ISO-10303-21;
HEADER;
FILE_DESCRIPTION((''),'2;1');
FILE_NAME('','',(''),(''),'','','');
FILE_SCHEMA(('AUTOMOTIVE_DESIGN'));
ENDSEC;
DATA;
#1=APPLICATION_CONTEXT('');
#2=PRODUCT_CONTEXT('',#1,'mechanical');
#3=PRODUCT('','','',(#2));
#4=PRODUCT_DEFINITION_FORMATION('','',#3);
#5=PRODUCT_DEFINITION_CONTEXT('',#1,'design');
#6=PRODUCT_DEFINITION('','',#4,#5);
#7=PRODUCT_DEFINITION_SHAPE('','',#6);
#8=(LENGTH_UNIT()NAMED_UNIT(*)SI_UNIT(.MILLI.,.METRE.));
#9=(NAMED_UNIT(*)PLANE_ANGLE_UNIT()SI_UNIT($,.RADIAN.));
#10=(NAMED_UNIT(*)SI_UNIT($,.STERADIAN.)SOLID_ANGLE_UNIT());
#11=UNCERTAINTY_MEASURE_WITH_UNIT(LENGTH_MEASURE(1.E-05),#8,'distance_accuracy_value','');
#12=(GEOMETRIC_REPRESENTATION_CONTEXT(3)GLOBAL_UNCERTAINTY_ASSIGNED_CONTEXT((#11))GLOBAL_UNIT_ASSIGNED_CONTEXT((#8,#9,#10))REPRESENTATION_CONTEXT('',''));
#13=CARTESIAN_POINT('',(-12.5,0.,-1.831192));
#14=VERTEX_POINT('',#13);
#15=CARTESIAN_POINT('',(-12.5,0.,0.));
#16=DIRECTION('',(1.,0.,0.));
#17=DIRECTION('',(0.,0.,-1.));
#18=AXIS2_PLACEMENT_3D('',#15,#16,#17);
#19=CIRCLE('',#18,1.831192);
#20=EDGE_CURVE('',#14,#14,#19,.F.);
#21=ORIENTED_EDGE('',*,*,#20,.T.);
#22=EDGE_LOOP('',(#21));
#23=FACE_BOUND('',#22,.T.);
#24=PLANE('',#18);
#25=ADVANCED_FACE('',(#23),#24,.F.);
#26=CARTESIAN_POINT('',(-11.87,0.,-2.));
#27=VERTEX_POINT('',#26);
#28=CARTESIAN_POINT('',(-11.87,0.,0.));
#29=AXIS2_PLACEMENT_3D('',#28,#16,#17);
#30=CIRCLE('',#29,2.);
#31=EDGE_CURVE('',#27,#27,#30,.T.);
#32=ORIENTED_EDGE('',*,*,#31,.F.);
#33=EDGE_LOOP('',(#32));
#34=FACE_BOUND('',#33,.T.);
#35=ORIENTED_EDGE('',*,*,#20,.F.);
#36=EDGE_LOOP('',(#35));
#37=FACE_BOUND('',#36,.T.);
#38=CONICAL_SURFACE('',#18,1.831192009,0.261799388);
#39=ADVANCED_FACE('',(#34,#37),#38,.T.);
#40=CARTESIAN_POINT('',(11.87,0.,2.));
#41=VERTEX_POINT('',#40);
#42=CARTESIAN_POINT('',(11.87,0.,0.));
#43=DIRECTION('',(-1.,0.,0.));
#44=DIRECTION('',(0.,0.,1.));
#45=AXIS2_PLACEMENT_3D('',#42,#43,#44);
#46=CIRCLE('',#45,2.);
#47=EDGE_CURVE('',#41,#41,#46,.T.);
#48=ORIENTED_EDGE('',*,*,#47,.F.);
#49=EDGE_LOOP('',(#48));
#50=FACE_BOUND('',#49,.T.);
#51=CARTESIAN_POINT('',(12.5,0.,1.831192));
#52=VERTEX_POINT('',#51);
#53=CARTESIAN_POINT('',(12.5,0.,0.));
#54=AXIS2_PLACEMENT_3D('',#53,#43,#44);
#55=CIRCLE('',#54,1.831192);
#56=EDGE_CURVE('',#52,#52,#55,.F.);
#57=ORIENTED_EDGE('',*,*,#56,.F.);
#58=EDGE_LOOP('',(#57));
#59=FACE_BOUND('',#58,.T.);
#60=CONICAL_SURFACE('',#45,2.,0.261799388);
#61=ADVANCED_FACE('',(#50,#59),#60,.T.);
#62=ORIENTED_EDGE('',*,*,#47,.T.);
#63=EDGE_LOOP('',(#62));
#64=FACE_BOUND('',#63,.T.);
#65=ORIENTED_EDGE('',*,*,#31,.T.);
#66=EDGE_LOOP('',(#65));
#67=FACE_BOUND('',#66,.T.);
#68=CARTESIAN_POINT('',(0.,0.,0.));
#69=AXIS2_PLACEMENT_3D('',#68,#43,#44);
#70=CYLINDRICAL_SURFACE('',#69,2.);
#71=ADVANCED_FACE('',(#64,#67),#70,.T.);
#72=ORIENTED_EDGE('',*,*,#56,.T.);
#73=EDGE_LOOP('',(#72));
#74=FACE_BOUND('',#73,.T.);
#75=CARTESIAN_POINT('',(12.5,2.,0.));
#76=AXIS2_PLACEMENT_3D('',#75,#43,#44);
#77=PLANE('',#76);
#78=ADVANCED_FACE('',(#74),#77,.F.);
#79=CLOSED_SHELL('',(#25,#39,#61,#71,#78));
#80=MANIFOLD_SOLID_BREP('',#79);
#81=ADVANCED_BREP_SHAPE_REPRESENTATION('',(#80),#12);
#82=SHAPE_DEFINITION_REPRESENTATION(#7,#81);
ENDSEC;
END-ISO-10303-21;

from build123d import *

# Parameters (mm, degrees)
SKETCH_1_W      = 25
SKETCH_1_H      = 2
CHAMFER_1_SIZE  = 0.63
CHAMFER_1_SIZE2 = 0.168807991


with BuildPart() as part:
    # ｽｹｯﾁ1 → 回転1 (revolve)
    with BuildSketch(Plane.XY, mode=Mode.PRIVATE) as revolve_1_sk:
        with Locations((0, 1)):
            Rectangle(SKETCH_1_W, SKETCH_1_H)
    revolve(revolve_1_sk.sketch.rotate(Axis((0, 0, 0), (1, 0, 0)), 90), axis=Axis((0, 0, 0), (1, 0, 0)))

    # 面取り1
    chamfer_1_edges = [part.edges().sort_by_distance(p)[0] for p in [
        (12.5, 0, -2),
        (-12.5, 0, -2),
    ]]
    chamfer_1_side = [part.faces().sort_by_distance(p)[0] for p in [
        (0, 0, -2),
    ]]
    chamfer(chamfer_1_edges, length=CHAMFER_1_SIZE, length2=CHAMFER_1_SIZE2, reference=chamfer_1_side[0])


solid = part.part
